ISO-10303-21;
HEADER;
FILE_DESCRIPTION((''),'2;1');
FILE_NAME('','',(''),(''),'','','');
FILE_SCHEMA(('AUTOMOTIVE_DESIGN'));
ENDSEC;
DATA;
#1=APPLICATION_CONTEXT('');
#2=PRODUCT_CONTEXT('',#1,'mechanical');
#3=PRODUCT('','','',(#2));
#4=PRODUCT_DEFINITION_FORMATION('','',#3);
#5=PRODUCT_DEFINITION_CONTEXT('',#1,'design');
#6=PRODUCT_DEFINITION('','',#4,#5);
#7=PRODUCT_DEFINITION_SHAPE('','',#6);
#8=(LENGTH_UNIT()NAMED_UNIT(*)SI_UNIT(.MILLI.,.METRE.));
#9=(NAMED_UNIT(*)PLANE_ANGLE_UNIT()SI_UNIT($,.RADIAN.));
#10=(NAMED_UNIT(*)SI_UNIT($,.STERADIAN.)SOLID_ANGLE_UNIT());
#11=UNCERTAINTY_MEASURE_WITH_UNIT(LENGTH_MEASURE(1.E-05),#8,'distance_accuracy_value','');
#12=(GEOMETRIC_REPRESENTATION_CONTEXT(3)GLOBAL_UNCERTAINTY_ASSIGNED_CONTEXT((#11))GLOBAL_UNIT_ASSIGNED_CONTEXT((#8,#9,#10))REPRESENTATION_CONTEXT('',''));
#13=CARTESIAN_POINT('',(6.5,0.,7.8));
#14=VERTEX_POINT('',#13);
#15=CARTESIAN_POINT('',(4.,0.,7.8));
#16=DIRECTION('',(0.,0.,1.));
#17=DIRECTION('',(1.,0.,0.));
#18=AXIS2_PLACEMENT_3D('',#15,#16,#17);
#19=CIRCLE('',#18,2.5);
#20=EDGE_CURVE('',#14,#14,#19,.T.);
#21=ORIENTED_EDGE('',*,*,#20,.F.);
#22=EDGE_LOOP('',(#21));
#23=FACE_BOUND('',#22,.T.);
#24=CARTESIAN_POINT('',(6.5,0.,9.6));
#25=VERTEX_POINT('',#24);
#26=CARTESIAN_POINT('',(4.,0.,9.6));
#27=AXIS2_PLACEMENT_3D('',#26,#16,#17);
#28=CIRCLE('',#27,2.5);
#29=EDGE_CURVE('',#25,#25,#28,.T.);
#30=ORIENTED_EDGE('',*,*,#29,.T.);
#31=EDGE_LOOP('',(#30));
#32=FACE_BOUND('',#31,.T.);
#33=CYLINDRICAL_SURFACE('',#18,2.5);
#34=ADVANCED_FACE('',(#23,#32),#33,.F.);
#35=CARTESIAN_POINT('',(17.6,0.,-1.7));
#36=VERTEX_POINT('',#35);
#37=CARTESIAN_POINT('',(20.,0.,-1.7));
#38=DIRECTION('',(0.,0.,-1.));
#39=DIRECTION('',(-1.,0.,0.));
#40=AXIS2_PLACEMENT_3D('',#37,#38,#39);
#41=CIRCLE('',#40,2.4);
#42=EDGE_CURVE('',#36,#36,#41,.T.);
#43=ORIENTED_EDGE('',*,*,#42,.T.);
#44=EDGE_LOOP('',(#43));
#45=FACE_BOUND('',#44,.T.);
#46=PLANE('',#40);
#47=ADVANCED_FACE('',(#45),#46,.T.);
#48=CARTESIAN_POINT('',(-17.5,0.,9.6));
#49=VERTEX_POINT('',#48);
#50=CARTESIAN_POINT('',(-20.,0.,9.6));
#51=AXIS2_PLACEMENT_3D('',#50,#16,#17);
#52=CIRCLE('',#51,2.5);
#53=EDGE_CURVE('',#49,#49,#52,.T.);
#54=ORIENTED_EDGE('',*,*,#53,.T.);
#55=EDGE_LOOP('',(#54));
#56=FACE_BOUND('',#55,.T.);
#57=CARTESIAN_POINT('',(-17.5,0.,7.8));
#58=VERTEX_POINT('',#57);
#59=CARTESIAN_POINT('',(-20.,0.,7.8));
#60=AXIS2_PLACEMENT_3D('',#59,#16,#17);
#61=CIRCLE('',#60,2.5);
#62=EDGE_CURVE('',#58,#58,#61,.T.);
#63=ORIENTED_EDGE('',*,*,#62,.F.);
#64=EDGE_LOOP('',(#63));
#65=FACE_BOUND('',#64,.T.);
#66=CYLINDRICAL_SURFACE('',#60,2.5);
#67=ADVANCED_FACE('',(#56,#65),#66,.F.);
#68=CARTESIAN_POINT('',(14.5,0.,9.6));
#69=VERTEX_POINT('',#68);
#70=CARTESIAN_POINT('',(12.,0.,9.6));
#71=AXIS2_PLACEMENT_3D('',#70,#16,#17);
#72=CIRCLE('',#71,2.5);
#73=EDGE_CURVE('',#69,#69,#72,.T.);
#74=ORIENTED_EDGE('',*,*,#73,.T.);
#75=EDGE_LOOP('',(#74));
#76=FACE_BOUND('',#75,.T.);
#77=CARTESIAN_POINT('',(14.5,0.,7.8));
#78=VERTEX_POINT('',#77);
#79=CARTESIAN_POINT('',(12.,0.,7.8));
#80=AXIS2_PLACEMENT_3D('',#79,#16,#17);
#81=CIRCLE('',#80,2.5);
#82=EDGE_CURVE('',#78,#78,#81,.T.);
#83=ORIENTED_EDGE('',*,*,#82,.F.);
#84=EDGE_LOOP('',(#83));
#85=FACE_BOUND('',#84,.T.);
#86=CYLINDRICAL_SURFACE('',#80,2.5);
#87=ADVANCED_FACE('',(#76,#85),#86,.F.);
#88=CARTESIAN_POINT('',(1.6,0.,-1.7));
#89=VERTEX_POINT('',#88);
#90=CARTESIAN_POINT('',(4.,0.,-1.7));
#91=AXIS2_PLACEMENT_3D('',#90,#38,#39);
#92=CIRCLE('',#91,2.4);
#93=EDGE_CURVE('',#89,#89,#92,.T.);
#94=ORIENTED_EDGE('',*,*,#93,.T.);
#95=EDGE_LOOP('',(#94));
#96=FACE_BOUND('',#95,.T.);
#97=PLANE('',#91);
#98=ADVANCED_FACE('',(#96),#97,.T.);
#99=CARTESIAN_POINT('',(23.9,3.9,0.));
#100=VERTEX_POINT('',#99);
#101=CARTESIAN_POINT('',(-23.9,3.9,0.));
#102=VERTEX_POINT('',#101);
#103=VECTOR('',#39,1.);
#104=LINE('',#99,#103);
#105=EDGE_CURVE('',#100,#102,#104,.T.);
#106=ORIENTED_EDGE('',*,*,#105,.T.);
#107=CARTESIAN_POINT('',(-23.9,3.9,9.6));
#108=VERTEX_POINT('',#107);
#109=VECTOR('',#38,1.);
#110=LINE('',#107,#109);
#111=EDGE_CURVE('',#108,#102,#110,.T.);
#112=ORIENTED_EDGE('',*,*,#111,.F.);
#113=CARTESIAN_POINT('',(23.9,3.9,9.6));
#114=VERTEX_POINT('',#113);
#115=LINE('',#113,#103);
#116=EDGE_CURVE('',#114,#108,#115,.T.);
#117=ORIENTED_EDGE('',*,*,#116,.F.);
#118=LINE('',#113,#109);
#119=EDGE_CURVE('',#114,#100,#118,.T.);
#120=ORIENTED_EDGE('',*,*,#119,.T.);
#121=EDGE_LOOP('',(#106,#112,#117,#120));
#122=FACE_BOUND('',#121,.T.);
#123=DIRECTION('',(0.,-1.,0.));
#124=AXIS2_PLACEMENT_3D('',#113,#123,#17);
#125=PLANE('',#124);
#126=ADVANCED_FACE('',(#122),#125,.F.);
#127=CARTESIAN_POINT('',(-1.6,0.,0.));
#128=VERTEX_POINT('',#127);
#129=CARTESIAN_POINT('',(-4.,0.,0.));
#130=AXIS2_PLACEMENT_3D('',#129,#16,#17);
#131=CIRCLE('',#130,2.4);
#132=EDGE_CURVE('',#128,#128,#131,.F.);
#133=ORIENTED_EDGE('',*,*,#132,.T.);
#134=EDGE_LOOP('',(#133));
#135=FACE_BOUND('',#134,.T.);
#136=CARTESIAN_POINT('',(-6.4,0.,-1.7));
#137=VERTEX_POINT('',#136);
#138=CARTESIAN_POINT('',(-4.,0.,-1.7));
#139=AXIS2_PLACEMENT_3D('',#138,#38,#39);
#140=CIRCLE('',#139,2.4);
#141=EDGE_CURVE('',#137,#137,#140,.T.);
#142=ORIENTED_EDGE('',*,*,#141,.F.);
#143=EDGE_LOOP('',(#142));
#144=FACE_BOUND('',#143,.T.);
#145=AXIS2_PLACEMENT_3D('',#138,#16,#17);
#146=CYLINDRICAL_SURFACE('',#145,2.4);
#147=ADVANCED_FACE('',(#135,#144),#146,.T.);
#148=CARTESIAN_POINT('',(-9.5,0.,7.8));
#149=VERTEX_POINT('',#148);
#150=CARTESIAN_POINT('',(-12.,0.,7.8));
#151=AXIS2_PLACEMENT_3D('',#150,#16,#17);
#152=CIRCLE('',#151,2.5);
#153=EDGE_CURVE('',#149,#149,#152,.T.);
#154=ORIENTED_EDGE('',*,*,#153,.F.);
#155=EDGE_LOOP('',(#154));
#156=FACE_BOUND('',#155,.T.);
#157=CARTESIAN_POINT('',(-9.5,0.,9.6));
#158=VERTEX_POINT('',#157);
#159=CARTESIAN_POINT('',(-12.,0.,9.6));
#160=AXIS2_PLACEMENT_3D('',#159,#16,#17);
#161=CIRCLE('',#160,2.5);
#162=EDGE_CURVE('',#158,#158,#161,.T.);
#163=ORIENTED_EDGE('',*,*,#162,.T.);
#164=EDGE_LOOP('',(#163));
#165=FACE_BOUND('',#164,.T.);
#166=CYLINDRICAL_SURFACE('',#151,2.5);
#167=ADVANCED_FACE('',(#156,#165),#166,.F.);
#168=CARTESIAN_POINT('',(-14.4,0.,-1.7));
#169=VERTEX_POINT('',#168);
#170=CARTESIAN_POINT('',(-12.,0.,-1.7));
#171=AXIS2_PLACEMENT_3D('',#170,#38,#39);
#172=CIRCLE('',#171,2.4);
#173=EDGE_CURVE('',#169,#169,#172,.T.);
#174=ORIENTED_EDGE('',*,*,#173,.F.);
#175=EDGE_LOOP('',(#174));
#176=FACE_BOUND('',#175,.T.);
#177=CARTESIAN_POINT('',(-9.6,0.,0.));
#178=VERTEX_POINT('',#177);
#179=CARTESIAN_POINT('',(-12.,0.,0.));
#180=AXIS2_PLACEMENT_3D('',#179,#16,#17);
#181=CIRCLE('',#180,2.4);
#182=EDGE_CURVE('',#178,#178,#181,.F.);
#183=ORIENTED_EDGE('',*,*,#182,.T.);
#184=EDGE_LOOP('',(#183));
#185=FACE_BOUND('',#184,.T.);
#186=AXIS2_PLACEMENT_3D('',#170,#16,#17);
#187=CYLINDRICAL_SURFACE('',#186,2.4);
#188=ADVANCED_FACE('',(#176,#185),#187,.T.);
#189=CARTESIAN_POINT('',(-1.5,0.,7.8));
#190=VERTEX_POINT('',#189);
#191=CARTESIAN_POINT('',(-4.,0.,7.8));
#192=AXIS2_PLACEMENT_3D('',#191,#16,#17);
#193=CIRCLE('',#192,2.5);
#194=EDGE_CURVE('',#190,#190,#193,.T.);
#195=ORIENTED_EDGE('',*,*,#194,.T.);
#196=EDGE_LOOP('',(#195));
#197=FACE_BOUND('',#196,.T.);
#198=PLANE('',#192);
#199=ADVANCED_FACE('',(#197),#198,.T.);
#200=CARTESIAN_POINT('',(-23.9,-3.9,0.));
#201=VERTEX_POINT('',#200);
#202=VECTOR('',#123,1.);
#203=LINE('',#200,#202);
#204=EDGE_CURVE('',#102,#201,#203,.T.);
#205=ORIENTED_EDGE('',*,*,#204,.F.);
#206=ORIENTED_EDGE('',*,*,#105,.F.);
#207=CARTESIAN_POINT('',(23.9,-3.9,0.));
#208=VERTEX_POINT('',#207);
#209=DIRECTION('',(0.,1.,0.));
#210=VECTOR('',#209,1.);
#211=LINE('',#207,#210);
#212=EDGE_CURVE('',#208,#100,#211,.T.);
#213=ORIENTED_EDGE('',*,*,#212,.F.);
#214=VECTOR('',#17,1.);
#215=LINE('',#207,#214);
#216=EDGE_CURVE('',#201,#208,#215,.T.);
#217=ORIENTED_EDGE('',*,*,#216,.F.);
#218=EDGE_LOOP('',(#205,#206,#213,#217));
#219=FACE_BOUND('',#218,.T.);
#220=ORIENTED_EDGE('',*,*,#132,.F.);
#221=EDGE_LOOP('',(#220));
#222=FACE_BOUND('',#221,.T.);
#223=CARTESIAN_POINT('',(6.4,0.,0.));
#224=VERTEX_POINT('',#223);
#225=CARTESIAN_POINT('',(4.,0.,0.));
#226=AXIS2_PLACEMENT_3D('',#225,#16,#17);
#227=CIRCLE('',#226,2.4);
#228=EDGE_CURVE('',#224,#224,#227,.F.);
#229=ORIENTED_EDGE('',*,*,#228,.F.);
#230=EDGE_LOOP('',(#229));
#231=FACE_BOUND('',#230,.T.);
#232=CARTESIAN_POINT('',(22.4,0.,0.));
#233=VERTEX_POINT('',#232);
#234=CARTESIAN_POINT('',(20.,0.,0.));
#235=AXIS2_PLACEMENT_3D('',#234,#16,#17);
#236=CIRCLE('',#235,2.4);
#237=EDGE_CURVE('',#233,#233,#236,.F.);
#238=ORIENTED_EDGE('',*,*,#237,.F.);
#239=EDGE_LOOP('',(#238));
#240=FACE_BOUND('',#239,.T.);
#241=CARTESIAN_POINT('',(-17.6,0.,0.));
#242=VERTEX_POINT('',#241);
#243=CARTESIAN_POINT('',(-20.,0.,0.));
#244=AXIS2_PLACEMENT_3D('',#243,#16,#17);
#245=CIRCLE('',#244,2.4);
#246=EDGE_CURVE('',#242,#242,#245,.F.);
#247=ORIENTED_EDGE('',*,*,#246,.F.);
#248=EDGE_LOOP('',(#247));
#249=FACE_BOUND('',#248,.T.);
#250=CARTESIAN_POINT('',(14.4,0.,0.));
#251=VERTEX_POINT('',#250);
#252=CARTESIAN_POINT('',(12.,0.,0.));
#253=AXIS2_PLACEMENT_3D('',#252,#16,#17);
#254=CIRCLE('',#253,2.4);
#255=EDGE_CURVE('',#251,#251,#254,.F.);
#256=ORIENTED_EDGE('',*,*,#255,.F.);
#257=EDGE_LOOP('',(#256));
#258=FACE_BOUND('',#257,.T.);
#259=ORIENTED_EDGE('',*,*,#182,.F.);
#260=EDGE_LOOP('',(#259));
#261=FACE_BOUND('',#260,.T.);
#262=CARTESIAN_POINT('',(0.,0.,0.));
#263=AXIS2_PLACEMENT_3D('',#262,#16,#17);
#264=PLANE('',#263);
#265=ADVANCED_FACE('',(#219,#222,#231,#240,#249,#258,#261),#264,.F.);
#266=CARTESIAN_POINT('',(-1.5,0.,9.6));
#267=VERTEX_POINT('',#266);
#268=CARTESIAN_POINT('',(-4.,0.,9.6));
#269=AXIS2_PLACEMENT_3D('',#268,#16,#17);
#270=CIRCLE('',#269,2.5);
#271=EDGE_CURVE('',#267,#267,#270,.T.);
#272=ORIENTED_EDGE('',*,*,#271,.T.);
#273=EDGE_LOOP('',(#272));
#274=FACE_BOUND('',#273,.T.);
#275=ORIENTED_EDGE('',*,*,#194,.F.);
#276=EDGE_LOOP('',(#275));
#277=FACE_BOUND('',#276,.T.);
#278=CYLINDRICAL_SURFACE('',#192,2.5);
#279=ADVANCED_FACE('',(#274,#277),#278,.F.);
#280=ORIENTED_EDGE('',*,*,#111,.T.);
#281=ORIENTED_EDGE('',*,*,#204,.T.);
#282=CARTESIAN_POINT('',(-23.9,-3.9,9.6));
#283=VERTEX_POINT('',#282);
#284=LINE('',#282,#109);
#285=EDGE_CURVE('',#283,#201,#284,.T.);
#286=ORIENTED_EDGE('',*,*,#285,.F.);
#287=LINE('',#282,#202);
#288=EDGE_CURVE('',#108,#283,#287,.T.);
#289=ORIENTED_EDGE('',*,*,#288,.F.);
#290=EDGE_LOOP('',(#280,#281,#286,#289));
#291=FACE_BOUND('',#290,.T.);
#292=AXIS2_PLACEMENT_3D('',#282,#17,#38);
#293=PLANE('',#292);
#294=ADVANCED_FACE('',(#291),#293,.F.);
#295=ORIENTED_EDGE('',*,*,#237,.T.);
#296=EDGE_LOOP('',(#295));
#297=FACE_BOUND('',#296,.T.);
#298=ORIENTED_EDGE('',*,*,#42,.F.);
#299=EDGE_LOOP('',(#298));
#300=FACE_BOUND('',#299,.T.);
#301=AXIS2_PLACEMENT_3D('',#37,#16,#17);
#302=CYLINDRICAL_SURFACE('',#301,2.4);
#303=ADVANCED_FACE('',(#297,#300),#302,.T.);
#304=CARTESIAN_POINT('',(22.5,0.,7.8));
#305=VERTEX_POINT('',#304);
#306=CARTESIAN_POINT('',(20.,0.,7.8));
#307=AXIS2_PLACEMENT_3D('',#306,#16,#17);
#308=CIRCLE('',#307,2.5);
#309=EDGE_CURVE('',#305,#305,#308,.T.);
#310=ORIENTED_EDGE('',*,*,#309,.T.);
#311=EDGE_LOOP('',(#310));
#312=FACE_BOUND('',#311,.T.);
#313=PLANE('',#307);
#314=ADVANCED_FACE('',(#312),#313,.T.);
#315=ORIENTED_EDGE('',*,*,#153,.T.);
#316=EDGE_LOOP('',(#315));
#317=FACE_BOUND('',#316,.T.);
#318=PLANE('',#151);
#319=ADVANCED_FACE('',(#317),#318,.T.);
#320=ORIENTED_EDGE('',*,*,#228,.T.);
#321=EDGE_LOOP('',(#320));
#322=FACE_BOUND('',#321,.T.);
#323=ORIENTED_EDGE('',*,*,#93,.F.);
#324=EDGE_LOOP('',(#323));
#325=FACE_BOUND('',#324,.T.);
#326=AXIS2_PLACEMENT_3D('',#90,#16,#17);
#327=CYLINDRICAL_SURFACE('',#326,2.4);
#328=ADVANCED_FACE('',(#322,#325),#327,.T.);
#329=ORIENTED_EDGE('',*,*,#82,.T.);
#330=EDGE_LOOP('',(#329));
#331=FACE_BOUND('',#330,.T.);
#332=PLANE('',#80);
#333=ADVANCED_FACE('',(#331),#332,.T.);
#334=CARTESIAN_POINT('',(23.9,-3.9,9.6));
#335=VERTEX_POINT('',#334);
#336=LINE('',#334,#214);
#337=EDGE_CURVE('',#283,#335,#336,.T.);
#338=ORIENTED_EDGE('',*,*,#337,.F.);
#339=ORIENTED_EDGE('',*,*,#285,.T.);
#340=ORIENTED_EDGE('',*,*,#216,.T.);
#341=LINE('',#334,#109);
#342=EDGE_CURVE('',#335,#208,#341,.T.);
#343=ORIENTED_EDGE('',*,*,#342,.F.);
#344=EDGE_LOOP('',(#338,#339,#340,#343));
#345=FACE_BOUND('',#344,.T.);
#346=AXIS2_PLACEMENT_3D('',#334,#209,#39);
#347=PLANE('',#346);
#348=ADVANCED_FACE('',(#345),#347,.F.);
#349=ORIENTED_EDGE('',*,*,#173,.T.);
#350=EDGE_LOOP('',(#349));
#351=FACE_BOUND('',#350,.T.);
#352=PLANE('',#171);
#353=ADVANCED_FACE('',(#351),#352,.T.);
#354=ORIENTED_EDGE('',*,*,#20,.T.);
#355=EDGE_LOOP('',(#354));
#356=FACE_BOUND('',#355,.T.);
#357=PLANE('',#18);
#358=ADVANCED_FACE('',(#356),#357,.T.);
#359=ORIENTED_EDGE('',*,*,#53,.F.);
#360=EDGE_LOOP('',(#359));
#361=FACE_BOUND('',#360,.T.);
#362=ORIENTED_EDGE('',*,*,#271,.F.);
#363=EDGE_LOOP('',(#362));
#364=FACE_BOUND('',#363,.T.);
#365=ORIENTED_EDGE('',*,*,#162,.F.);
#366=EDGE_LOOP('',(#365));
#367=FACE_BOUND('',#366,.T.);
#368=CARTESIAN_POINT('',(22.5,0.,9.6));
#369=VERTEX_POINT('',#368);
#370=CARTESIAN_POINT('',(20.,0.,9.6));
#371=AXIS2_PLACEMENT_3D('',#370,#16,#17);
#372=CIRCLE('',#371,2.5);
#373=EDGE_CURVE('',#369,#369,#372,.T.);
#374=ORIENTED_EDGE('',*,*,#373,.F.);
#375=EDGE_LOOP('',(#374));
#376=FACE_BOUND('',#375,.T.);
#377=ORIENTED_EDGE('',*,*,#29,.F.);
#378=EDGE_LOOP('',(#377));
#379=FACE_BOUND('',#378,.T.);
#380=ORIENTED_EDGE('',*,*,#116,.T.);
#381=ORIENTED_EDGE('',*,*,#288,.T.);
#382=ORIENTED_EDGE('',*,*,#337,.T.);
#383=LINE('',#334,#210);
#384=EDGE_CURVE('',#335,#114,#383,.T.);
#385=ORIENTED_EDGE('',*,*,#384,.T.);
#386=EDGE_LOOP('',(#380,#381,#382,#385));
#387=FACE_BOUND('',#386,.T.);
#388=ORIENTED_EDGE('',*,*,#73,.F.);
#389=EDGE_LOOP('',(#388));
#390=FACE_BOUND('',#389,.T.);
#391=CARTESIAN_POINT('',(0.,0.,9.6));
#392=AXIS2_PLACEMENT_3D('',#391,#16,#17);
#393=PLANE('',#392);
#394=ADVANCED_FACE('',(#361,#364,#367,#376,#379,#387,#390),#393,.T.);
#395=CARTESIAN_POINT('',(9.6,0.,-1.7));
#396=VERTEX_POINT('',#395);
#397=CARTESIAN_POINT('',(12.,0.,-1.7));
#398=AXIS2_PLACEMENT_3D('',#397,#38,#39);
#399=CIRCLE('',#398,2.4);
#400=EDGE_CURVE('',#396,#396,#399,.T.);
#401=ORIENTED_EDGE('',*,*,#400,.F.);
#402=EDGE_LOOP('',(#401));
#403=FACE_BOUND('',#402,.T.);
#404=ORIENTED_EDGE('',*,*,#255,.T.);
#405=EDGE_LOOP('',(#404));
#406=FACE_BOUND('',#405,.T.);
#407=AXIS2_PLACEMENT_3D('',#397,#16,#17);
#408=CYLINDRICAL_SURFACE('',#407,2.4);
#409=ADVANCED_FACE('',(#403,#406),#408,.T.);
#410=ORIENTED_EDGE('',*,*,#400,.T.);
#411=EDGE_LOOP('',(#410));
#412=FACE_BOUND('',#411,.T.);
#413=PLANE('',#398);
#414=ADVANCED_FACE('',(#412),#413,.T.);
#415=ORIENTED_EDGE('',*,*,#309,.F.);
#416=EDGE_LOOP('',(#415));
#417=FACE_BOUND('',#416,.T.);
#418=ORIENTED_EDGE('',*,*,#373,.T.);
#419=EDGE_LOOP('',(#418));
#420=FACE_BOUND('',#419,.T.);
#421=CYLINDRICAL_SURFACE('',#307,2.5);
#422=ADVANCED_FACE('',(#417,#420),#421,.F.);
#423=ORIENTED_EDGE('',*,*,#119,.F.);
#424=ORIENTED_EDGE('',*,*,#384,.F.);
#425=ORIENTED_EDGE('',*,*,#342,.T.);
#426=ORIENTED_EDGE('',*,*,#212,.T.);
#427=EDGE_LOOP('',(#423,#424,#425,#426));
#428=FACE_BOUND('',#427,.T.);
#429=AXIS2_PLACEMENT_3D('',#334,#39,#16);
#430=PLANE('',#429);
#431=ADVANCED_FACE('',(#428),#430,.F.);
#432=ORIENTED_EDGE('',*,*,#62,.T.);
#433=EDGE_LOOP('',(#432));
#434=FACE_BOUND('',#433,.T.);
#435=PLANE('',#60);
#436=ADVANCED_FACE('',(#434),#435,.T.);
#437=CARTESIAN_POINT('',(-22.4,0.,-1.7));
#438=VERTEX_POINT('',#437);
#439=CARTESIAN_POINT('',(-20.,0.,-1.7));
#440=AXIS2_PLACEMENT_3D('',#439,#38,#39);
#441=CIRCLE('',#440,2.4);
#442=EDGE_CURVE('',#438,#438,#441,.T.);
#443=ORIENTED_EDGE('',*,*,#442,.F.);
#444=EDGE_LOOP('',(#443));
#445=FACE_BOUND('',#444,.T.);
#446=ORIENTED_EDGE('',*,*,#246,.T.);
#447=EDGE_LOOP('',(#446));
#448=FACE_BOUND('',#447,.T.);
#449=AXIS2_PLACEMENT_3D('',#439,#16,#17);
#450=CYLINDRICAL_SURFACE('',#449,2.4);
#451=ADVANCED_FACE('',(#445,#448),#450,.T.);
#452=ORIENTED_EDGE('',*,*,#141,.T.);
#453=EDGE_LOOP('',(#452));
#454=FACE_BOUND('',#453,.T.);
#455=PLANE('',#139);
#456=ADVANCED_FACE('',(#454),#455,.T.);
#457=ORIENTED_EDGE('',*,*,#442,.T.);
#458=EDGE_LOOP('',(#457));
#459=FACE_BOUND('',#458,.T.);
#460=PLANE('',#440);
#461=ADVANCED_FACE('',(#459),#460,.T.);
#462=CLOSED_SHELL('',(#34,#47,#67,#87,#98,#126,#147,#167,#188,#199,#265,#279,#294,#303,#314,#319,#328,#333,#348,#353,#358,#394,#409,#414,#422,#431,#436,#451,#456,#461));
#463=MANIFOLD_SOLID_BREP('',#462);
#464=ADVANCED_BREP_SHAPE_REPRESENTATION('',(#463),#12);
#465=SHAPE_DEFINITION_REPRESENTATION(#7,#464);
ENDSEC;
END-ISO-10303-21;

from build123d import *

# Parameters (mm, degrees)
SKETCH_1_W          = 47.8
SKETCH_1_H          = 7.8
EXTRUDE_1_DEPTH     = 9.6
SKETCH_2_R          = 2.4
EXTRUDE_2_DEPTH     = 1.7
SKETCH_4_R          = 2.5
CUT_EXTRUDE_1_DEPTH = 1.8


with BuildPart() as part:
    # Эскиз1 → Бобышка-Вытянуть1 (new body)
    with BuildSketch(Plane.XY):
        Rectangle(SKETCH_1_W, SKETCH_1_H)
    extrude(amount=EXTRUDE_1_DEPTH)

    # Эскиз2 → Бобышка-Вытянуть2 (add)
    with BuildSketch(Plane(origin=(0, 0, 0), x_dir=(-1, 0, 0), z_dir=(0, 0, -1))):
        with Locations(Location((-20, 0, 0), (0, 0, 180))):
            Circle(SKETCH_2_R)
        with Locations(Location((-12, 0, 0), (0, 0, 180))):
            Circle(SKETCH_2_R)
        with Locations(Location((-4, 0, 0), (0, 0, 180))):
            Circle(SKETCH_2_R)
        with Locations(Location((4, 0, 0), (0, 0, 180))):
            Circle(SKETCH_2_R)
        with Locations(Location((12, 0, 0), (0, 0, 180))):
            Circle(SKETCH_2_R)
        with Locations(Location((20, 0, 0), (0, 0, 180))):
            Circle(SKETCH_2_R)
    extrude(amount=EXTRUDE_2_DEPTH)

    # Эскиз4 → Вырез-Вытянуть1 (cut)
    with BuildSketch(Plane.XY.offset(9.6)):
        with Locations((-20, 0)):
            Circle(SKETCH_4_R)
        with Locations((-12, 0)):
            Circle(SKETCH_4_R)
        with Locations((-4, 0)):
            Circle(SKETCH_4_R)
        with Locations((4, 0)):
            Circle(SKETCH_4_R)
        with Locations((12, 0)):
            Circle(SKETCH_4_R)
        with Locations((20, 0)):
            Circle(SKETCH_4_R)
    extrude(amount=-CUT_EXTRUDE_1_DEPTH, mode=Mode.SUBTRACT)


solid = part.part
